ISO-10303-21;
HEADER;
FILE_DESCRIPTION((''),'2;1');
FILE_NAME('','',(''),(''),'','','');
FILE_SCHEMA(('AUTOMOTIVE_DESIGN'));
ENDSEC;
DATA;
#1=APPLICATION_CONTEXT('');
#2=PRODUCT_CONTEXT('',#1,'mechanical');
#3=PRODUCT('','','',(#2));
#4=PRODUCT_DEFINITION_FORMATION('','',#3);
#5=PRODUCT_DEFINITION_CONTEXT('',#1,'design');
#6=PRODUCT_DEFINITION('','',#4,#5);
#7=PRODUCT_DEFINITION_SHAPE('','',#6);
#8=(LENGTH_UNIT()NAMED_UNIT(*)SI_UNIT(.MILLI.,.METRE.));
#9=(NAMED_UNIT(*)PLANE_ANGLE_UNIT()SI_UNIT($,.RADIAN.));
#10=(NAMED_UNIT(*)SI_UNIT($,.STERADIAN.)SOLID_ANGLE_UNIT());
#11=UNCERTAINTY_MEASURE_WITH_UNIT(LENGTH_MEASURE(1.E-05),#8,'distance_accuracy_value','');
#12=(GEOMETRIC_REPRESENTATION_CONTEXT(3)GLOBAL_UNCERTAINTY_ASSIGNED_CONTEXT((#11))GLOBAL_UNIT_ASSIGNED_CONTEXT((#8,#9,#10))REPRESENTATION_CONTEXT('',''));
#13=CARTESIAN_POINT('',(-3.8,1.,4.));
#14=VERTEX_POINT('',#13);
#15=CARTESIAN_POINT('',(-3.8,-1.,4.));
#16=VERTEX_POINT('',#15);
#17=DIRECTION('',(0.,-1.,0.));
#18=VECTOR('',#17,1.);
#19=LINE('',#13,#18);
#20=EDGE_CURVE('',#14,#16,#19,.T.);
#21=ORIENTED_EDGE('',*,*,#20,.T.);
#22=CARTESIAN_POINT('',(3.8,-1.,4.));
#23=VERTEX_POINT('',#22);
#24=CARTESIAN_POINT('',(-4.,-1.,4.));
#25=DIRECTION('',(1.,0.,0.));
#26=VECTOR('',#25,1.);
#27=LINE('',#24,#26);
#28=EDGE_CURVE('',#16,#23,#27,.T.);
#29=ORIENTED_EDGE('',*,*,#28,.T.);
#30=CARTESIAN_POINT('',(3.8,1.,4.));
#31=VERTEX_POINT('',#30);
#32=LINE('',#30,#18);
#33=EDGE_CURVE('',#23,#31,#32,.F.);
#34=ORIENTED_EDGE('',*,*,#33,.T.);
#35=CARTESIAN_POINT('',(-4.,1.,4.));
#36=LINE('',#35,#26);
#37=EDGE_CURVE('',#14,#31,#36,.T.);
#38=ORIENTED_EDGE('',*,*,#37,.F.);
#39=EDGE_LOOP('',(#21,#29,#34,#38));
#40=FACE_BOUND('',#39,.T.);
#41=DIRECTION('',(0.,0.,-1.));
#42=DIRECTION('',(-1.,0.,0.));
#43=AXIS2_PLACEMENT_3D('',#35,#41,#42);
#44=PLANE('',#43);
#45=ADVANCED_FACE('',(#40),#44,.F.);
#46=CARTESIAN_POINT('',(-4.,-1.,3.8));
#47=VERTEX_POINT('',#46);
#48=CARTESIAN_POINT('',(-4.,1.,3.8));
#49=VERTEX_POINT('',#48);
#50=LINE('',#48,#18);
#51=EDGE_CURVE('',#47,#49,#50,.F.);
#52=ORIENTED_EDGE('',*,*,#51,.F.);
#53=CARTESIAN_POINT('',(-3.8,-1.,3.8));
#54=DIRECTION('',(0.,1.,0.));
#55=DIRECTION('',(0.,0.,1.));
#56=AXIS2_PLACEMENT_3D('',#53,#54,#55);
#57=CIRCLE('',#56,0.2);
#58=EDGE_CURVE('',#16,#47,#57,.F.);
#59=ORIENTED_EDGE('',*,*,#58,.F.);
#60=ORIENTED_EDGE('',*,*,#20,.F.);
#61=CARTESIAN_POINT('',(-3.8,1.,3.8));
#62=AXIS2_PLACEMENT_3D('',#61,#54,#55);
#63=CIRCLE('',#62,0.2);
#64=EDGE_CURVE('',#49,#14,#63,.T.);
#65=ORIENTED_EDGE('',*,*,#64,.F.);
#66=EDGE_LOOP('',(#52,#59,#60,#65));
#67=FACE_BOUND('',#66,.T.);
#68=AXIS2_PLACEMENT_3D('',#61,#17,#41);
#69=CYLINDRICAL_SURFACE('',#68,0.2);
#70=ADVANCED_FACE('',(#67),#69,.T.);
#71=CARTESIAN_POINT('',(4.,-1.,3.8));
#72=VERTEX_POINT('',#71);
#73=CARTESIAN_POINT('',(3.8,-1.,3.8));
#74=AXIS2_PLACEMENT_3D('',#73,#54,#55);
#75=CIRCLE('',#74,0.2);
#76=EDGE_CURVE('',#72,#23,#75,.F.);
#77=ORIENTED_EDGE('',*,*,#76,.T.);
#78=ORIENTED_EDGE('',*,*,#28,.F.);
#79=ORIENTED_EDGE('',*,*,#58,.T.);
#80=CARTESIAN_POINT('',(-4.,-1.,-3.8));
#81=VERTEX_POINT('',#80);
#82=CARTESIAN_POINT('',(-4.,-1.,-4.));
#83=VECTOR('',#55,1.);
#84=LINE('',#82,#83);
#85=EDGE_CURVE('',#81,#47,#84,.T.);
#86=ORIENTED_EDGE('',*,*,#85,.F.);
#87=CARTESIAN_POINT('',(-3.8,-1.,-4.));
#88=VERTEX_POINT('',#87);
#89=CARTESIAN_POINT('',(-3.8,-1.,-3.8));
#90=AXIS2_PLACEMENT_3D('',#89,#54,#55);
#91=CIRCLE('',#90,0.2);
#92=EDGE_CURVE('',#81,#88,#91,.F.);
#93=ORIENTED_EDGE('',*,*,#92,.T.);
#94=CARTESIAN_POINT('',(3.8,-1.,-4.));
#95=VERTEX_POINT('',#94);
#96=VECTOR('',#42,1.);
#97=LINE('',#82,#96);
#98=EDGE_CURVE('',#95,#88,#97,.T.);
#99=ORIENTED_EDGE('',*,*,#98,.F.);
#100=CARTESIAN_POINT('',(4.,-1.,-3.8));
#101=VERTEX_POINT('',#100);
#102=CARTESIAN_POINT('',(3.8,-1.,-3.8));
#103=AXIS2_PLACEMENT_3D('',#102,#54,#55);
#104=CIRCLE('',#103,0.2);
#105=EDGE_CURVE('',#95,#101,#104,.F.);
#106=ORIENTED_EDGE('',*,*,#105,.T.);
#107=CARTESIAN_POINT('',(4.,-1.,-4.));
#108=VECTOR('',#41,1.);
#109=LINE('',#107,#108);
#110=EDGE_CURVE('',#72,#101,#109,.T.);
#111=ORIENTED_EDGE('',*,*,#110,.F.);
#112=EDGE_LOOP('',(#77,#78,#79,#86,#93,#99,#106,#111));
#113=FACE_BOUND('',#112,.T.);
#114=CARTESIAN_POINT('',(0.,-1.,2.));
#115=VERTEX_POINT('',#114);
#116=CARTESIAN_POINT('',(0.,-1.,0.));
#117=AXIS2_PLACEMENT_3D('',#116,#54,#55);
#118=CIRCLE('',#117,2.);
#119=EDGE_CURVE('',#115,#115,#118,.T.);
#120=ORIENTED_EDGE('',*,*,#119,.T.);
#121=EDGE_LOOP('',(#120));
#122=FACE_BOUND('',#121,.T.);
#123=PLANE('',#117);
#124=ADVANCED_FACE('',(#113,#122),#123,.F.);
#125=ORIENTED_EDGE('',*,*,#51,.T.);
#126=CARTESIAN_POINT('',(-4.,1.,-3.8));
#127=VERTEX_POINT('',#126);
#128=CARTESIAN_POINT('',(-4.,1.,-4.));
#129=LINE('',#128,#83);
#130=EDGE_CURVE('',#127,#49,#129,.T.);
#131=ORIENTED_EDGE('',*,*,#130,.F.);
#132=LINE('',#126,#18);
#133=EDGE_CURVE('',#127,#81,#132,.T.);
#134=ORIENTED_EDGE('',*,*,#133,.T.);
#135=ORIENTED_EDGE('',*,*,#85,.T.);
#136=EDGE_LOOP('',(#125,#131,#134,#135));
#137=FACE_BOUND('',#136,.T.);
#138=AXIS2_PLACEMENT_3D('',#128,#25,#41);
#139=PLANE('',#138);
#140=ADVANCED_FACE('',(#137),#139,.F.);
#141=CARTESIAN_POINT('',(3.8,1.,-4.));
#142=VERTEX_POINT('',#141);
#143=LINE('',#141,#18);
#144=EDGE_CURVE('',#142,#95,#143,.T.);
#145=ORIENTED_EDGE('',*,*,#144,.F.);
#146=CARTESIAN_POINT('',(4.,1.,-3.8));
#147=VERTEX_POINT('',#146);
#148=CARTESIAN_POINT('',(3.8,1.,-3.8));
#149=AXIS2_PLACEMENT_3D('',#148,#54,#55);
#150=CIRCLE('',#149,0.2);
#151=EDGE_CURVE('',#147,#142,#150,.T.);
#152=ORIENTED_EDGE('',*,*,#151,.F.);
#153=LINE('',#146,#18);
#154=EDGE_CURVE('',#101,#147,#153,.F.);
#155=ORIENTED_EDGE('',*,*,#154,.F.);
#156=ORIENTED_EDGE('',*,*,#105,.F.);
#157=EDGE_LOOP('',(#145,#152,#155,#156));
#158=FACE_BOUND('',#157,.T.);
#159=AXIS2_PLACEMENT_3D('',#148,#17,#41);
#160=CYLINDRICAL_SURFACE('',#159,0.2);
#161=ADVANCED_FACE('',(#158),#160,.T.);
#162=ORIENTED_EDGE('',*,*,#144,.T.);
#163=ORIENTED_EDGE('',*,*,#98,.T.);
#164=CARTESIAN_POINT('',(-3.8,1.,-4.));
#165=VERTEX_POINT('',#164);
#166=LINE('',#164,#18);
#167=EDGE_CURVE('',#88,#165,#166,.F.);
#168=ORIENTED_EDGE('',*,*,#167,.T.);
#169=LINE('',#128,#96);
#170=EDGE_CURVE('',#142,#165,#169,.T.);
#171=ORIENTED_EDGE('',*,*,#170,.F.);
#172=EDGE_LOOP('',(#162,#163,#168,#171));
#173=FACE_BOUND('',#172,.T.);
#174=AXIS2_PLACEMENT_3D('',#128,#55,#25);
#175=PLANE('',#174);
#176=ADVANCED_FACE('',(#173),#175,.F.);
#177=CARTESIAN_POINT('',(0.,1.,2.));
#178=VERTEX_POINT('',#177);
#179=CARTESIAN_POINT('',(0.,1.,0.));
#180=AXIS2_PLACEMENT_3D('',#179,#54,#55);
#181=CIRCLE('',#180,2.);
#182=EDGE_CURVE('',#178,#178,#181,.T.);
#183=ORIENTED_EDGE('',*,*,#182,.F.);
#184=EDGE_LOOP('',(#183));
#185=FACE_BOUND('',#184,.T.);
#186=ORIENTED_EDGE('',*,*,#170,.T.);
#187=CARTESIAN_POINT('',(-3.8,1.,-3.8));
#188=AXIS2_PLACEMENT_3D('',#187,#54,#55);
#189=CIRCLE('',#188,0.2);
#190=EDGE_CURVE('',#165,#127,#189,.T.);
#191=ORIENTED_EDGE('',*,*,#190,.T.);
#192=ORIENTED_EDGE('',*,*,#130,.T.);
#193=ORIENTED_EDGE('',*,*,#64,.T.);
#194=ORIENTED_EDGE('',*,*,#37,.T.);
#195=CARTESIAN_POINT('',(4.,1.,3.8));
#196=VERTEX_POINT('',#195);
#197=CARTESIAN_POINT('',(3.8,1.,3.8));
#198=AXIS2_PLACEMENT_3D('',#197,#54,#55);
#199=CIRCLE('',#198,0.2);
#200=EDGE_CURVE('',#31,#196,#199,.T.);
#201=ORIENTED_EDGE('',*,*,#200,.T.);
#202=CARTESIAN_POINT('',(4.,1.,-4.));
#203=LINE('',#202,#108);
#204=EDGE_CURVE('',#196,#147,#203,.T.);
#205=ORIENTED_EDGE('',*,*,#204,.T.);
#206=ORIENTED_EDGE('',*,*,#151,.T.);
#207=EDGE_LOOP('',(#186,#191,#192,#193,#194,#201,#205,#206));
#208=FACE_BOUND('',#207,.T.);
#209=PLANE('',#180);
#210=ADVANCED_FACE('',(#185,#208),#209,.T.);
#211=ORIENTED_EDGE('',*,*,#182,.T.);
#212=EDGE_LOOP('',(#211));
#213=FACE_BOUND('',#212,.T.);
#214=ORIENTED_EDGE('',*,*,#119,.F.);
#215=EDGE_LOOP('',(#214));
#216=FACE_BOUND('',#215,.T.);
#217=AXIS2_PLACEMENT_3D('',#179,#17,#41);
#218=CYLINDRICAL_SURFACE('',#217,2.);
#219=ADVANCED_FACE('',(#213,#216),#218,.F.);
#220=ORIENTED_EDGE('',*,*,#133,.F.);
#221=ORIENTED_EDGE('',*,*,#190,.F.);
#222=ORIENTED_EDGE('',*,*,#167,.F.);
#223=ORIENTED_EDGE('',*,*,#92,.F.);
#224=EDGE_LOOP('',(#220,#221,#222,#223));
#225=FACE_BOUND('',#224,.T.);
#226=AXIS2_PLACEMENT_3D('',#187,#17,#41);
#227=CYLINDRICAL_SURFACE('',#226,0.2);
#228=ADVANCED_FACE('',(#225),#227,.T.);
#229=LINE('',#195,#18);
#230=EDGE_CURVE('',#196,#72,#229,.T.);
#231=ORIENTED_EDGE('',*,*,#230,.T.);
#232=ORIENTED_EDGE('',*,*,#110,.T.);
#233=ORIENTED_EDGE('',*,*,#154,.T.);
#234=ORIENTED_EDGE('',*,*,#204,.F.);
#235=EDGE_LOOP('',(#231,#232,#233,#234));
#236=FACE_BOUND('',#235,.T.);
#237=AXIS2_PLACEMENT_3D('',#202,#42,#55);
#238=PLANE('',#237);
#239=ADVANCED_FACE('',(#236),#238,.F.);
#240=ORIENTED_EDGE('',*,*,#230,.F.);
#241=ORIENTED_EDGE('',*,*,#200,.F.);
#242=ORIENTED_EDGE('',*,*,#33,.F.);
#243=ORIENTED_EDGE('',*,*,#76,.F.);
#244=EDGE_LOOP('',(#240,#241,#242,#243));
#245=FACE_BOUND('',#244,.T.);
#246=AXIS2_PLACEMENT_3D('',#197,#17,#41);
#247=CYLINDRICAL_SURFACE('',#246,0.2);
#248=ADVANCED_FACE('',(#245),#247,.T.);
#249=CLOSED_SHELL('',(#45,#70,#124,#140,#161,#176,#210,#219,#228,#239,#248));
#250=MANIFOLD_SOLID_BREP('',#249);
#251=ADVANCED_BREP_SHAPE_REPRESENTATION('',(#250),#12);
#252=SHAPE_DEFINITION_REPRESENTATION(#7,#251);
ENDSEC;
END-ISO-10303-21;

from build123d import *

# Parameters (mm, degrees)
SKETCH_1_W      = 8
SKETCH_1_H      = 8
SKETCH_1_R      = 2
EXTRUDE_1_DEPTH = 1
FILLET_1_R      = 0.2


with BuildPart() as part:
    # 草图1 → 凸台-拉伸1 (new, symmetric)
    with BuildSketch(Plane(origin=(0, 0, 0), x_dir=(1, 0, 0), z_dir=(0, 1, 0))):
        Rectangle(SKETCH_1_W, SKETCH_1_H)
        with Locations(Location((0, 0, 0), (0, 0, 270))):
            Circle(SKETCH_1_R, mode=Mode.SUBTRACT)
    extrude(amount=EXTRUDE_1_DEPTH, both=True)

    # 圆角1
    fillet_1_edges = [part.edges().sort_by_distance(p)[0] for p in [
        (4, 0, 4),
        (-4, 0, 4),
        (-4, 0, -4),
        (4, 0, -4),
    ]]
    fillet(fillet_1_edges, radius=FILLET_1_R)


solid = part.part
